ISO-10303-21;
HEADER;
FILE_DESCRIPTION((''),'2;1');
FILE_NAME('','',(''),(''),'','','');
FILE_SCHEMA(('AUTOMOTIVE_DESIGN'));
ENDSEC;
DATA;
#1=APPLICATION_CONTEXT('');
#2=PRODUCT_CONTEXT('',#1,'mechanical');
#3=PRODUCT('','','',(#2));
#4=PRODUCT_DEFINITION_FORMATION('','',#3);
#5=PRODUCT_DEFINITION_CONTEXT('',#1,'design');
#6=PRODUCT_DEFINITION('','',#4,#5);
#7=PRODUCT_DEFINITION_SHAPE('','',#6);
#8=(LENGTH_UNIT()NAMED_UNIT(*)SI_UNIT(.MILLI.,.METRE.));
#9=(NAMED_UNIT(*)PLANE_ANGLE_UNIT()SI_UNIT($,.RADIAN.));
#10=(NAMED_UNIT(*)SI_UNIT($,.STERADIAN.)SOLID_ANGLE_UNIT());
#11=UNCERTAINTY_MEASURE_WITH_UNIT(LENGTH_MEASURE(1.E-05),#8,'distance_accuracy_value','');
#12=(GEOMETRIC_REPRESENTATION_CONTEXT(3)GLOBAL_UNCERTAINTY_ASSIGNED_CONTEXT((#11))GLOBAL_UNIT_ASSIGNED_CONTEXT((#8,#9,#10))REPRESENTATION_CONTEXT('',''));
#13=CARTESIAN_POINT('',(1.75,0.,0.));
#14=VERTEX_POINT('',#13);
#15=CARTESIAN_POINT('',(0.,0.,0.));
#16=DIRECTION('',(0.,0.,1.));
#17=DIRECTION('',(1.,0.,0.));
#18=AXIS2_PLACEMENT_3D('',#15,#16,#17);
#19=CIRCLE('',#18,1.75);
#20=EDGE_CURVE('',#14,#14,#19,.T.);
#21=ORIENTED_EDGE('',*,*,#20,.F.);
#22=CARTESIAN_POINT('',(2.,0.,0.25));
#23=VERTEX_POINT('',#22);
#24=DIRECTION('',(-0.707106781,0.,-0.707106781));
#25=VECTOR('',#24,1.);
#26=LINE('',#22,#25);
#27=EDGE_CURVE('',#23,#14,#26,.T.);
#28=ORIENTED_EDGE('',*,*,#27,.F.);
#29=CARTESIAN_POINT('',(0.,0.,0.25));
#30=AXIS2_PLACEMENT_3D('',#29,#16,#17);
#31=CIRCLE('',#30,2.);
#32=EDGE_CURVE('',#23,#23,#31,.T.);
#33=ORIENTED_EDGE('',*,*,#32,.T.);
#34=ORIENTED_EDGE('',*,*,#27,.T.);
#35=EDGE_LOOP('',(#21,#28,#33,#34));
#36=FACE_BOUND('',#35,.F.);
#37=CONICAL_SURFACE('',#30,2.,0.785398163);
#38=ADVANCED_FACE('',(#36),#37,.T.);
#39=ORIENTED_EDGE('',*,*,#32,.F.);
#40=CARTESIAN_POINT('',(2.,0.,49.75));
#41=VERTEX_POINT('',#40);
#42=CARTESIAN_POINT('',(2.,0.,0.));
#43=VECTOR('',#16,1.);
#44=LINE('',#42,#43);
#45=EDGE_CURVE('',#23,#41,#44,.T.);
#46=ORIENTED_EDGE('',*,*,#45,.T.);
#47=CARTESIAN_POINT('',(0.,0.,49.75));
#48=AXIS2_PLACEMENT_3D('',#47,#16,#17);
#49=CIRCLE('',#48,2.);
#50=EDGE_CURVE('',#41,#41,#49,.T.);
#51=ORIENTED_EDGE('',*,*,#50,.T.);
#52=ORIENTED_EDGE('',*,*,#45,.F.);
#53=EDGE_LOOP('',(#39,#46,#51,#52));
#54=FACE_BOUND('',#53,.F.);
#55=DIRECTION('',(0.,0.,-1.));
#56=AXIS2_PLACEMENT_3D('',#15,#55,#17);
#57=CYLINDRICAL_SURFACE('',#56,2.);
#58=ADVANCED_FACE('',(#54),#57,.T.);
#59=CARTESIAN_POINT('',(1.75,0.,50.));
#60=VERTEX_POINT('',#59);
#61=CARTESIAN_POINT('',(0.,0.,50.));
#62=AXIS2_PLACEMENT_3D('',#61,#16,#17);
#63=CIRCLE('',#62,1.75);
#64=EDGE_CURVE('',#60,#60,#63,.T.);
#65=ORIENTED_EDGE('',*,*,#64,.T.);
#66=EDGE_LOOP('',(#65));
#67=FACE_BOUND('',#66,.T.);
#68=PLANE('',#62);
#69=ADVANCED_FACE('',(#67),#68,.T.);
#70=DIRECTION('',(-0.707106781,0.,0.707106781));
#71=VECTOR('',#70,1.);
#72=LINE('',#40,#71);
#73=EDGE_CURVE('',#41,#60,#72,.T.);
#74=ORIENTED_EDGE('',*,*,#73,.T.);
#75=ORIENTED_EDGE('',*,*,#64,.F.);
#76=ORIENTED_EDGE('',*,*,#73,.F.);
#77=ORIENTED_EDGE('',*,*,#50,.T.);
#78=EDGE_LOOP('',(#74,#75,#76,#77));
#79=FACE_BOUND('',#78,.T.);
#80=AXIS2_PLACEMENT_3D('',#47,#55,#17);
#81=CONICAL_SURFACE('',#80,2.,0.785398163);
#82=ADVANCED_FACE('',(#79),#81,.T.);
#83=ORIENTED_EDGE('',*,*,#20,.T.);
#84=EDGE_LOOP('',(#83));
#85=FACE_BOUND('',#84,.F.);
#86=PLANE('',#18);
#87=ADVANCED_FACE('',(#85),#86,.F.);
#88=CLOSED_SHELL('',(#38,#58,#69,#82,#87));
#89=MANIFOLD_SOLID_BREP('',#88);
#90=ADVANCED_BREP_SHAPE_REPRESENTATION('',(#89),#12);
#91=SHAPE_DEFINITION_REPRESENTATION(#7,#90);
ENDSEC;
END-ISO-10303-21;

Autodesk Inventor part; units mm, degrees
ref_plane "YZ Plane" through (0, 0, 0) normal (1, 0, 0) x (0, 1, 0)
ref_plane "XZ Plane" through (0, 0, 0) normal (0, 1, 0) x (-1, 0, 0)
ref_plane "XY Plane" through (0, 0, 0) normal (0, 0, 1) x (1, 0, 0)
sketch "Sketch1" plane through (0, 0, 0) normal (0, 0, 1) x (1, 0, 0)
  circle A0 centre (0, 0) radius 2
  dimension "d0" = 4
extrude "Extrusion1" add sketch "Sketch1" along normal blind 50
chamfer "Chamfer1" distance 0.25 angle 45 2 edges at (-2, 0, 0) (-2, 0, 50)
thread "Thread1" size "M4x0.7" class "6g" standard "ANSI Metric M Profile" full length
properties part number "M4x55 Threaded Rod" material "Stainless Steel"
